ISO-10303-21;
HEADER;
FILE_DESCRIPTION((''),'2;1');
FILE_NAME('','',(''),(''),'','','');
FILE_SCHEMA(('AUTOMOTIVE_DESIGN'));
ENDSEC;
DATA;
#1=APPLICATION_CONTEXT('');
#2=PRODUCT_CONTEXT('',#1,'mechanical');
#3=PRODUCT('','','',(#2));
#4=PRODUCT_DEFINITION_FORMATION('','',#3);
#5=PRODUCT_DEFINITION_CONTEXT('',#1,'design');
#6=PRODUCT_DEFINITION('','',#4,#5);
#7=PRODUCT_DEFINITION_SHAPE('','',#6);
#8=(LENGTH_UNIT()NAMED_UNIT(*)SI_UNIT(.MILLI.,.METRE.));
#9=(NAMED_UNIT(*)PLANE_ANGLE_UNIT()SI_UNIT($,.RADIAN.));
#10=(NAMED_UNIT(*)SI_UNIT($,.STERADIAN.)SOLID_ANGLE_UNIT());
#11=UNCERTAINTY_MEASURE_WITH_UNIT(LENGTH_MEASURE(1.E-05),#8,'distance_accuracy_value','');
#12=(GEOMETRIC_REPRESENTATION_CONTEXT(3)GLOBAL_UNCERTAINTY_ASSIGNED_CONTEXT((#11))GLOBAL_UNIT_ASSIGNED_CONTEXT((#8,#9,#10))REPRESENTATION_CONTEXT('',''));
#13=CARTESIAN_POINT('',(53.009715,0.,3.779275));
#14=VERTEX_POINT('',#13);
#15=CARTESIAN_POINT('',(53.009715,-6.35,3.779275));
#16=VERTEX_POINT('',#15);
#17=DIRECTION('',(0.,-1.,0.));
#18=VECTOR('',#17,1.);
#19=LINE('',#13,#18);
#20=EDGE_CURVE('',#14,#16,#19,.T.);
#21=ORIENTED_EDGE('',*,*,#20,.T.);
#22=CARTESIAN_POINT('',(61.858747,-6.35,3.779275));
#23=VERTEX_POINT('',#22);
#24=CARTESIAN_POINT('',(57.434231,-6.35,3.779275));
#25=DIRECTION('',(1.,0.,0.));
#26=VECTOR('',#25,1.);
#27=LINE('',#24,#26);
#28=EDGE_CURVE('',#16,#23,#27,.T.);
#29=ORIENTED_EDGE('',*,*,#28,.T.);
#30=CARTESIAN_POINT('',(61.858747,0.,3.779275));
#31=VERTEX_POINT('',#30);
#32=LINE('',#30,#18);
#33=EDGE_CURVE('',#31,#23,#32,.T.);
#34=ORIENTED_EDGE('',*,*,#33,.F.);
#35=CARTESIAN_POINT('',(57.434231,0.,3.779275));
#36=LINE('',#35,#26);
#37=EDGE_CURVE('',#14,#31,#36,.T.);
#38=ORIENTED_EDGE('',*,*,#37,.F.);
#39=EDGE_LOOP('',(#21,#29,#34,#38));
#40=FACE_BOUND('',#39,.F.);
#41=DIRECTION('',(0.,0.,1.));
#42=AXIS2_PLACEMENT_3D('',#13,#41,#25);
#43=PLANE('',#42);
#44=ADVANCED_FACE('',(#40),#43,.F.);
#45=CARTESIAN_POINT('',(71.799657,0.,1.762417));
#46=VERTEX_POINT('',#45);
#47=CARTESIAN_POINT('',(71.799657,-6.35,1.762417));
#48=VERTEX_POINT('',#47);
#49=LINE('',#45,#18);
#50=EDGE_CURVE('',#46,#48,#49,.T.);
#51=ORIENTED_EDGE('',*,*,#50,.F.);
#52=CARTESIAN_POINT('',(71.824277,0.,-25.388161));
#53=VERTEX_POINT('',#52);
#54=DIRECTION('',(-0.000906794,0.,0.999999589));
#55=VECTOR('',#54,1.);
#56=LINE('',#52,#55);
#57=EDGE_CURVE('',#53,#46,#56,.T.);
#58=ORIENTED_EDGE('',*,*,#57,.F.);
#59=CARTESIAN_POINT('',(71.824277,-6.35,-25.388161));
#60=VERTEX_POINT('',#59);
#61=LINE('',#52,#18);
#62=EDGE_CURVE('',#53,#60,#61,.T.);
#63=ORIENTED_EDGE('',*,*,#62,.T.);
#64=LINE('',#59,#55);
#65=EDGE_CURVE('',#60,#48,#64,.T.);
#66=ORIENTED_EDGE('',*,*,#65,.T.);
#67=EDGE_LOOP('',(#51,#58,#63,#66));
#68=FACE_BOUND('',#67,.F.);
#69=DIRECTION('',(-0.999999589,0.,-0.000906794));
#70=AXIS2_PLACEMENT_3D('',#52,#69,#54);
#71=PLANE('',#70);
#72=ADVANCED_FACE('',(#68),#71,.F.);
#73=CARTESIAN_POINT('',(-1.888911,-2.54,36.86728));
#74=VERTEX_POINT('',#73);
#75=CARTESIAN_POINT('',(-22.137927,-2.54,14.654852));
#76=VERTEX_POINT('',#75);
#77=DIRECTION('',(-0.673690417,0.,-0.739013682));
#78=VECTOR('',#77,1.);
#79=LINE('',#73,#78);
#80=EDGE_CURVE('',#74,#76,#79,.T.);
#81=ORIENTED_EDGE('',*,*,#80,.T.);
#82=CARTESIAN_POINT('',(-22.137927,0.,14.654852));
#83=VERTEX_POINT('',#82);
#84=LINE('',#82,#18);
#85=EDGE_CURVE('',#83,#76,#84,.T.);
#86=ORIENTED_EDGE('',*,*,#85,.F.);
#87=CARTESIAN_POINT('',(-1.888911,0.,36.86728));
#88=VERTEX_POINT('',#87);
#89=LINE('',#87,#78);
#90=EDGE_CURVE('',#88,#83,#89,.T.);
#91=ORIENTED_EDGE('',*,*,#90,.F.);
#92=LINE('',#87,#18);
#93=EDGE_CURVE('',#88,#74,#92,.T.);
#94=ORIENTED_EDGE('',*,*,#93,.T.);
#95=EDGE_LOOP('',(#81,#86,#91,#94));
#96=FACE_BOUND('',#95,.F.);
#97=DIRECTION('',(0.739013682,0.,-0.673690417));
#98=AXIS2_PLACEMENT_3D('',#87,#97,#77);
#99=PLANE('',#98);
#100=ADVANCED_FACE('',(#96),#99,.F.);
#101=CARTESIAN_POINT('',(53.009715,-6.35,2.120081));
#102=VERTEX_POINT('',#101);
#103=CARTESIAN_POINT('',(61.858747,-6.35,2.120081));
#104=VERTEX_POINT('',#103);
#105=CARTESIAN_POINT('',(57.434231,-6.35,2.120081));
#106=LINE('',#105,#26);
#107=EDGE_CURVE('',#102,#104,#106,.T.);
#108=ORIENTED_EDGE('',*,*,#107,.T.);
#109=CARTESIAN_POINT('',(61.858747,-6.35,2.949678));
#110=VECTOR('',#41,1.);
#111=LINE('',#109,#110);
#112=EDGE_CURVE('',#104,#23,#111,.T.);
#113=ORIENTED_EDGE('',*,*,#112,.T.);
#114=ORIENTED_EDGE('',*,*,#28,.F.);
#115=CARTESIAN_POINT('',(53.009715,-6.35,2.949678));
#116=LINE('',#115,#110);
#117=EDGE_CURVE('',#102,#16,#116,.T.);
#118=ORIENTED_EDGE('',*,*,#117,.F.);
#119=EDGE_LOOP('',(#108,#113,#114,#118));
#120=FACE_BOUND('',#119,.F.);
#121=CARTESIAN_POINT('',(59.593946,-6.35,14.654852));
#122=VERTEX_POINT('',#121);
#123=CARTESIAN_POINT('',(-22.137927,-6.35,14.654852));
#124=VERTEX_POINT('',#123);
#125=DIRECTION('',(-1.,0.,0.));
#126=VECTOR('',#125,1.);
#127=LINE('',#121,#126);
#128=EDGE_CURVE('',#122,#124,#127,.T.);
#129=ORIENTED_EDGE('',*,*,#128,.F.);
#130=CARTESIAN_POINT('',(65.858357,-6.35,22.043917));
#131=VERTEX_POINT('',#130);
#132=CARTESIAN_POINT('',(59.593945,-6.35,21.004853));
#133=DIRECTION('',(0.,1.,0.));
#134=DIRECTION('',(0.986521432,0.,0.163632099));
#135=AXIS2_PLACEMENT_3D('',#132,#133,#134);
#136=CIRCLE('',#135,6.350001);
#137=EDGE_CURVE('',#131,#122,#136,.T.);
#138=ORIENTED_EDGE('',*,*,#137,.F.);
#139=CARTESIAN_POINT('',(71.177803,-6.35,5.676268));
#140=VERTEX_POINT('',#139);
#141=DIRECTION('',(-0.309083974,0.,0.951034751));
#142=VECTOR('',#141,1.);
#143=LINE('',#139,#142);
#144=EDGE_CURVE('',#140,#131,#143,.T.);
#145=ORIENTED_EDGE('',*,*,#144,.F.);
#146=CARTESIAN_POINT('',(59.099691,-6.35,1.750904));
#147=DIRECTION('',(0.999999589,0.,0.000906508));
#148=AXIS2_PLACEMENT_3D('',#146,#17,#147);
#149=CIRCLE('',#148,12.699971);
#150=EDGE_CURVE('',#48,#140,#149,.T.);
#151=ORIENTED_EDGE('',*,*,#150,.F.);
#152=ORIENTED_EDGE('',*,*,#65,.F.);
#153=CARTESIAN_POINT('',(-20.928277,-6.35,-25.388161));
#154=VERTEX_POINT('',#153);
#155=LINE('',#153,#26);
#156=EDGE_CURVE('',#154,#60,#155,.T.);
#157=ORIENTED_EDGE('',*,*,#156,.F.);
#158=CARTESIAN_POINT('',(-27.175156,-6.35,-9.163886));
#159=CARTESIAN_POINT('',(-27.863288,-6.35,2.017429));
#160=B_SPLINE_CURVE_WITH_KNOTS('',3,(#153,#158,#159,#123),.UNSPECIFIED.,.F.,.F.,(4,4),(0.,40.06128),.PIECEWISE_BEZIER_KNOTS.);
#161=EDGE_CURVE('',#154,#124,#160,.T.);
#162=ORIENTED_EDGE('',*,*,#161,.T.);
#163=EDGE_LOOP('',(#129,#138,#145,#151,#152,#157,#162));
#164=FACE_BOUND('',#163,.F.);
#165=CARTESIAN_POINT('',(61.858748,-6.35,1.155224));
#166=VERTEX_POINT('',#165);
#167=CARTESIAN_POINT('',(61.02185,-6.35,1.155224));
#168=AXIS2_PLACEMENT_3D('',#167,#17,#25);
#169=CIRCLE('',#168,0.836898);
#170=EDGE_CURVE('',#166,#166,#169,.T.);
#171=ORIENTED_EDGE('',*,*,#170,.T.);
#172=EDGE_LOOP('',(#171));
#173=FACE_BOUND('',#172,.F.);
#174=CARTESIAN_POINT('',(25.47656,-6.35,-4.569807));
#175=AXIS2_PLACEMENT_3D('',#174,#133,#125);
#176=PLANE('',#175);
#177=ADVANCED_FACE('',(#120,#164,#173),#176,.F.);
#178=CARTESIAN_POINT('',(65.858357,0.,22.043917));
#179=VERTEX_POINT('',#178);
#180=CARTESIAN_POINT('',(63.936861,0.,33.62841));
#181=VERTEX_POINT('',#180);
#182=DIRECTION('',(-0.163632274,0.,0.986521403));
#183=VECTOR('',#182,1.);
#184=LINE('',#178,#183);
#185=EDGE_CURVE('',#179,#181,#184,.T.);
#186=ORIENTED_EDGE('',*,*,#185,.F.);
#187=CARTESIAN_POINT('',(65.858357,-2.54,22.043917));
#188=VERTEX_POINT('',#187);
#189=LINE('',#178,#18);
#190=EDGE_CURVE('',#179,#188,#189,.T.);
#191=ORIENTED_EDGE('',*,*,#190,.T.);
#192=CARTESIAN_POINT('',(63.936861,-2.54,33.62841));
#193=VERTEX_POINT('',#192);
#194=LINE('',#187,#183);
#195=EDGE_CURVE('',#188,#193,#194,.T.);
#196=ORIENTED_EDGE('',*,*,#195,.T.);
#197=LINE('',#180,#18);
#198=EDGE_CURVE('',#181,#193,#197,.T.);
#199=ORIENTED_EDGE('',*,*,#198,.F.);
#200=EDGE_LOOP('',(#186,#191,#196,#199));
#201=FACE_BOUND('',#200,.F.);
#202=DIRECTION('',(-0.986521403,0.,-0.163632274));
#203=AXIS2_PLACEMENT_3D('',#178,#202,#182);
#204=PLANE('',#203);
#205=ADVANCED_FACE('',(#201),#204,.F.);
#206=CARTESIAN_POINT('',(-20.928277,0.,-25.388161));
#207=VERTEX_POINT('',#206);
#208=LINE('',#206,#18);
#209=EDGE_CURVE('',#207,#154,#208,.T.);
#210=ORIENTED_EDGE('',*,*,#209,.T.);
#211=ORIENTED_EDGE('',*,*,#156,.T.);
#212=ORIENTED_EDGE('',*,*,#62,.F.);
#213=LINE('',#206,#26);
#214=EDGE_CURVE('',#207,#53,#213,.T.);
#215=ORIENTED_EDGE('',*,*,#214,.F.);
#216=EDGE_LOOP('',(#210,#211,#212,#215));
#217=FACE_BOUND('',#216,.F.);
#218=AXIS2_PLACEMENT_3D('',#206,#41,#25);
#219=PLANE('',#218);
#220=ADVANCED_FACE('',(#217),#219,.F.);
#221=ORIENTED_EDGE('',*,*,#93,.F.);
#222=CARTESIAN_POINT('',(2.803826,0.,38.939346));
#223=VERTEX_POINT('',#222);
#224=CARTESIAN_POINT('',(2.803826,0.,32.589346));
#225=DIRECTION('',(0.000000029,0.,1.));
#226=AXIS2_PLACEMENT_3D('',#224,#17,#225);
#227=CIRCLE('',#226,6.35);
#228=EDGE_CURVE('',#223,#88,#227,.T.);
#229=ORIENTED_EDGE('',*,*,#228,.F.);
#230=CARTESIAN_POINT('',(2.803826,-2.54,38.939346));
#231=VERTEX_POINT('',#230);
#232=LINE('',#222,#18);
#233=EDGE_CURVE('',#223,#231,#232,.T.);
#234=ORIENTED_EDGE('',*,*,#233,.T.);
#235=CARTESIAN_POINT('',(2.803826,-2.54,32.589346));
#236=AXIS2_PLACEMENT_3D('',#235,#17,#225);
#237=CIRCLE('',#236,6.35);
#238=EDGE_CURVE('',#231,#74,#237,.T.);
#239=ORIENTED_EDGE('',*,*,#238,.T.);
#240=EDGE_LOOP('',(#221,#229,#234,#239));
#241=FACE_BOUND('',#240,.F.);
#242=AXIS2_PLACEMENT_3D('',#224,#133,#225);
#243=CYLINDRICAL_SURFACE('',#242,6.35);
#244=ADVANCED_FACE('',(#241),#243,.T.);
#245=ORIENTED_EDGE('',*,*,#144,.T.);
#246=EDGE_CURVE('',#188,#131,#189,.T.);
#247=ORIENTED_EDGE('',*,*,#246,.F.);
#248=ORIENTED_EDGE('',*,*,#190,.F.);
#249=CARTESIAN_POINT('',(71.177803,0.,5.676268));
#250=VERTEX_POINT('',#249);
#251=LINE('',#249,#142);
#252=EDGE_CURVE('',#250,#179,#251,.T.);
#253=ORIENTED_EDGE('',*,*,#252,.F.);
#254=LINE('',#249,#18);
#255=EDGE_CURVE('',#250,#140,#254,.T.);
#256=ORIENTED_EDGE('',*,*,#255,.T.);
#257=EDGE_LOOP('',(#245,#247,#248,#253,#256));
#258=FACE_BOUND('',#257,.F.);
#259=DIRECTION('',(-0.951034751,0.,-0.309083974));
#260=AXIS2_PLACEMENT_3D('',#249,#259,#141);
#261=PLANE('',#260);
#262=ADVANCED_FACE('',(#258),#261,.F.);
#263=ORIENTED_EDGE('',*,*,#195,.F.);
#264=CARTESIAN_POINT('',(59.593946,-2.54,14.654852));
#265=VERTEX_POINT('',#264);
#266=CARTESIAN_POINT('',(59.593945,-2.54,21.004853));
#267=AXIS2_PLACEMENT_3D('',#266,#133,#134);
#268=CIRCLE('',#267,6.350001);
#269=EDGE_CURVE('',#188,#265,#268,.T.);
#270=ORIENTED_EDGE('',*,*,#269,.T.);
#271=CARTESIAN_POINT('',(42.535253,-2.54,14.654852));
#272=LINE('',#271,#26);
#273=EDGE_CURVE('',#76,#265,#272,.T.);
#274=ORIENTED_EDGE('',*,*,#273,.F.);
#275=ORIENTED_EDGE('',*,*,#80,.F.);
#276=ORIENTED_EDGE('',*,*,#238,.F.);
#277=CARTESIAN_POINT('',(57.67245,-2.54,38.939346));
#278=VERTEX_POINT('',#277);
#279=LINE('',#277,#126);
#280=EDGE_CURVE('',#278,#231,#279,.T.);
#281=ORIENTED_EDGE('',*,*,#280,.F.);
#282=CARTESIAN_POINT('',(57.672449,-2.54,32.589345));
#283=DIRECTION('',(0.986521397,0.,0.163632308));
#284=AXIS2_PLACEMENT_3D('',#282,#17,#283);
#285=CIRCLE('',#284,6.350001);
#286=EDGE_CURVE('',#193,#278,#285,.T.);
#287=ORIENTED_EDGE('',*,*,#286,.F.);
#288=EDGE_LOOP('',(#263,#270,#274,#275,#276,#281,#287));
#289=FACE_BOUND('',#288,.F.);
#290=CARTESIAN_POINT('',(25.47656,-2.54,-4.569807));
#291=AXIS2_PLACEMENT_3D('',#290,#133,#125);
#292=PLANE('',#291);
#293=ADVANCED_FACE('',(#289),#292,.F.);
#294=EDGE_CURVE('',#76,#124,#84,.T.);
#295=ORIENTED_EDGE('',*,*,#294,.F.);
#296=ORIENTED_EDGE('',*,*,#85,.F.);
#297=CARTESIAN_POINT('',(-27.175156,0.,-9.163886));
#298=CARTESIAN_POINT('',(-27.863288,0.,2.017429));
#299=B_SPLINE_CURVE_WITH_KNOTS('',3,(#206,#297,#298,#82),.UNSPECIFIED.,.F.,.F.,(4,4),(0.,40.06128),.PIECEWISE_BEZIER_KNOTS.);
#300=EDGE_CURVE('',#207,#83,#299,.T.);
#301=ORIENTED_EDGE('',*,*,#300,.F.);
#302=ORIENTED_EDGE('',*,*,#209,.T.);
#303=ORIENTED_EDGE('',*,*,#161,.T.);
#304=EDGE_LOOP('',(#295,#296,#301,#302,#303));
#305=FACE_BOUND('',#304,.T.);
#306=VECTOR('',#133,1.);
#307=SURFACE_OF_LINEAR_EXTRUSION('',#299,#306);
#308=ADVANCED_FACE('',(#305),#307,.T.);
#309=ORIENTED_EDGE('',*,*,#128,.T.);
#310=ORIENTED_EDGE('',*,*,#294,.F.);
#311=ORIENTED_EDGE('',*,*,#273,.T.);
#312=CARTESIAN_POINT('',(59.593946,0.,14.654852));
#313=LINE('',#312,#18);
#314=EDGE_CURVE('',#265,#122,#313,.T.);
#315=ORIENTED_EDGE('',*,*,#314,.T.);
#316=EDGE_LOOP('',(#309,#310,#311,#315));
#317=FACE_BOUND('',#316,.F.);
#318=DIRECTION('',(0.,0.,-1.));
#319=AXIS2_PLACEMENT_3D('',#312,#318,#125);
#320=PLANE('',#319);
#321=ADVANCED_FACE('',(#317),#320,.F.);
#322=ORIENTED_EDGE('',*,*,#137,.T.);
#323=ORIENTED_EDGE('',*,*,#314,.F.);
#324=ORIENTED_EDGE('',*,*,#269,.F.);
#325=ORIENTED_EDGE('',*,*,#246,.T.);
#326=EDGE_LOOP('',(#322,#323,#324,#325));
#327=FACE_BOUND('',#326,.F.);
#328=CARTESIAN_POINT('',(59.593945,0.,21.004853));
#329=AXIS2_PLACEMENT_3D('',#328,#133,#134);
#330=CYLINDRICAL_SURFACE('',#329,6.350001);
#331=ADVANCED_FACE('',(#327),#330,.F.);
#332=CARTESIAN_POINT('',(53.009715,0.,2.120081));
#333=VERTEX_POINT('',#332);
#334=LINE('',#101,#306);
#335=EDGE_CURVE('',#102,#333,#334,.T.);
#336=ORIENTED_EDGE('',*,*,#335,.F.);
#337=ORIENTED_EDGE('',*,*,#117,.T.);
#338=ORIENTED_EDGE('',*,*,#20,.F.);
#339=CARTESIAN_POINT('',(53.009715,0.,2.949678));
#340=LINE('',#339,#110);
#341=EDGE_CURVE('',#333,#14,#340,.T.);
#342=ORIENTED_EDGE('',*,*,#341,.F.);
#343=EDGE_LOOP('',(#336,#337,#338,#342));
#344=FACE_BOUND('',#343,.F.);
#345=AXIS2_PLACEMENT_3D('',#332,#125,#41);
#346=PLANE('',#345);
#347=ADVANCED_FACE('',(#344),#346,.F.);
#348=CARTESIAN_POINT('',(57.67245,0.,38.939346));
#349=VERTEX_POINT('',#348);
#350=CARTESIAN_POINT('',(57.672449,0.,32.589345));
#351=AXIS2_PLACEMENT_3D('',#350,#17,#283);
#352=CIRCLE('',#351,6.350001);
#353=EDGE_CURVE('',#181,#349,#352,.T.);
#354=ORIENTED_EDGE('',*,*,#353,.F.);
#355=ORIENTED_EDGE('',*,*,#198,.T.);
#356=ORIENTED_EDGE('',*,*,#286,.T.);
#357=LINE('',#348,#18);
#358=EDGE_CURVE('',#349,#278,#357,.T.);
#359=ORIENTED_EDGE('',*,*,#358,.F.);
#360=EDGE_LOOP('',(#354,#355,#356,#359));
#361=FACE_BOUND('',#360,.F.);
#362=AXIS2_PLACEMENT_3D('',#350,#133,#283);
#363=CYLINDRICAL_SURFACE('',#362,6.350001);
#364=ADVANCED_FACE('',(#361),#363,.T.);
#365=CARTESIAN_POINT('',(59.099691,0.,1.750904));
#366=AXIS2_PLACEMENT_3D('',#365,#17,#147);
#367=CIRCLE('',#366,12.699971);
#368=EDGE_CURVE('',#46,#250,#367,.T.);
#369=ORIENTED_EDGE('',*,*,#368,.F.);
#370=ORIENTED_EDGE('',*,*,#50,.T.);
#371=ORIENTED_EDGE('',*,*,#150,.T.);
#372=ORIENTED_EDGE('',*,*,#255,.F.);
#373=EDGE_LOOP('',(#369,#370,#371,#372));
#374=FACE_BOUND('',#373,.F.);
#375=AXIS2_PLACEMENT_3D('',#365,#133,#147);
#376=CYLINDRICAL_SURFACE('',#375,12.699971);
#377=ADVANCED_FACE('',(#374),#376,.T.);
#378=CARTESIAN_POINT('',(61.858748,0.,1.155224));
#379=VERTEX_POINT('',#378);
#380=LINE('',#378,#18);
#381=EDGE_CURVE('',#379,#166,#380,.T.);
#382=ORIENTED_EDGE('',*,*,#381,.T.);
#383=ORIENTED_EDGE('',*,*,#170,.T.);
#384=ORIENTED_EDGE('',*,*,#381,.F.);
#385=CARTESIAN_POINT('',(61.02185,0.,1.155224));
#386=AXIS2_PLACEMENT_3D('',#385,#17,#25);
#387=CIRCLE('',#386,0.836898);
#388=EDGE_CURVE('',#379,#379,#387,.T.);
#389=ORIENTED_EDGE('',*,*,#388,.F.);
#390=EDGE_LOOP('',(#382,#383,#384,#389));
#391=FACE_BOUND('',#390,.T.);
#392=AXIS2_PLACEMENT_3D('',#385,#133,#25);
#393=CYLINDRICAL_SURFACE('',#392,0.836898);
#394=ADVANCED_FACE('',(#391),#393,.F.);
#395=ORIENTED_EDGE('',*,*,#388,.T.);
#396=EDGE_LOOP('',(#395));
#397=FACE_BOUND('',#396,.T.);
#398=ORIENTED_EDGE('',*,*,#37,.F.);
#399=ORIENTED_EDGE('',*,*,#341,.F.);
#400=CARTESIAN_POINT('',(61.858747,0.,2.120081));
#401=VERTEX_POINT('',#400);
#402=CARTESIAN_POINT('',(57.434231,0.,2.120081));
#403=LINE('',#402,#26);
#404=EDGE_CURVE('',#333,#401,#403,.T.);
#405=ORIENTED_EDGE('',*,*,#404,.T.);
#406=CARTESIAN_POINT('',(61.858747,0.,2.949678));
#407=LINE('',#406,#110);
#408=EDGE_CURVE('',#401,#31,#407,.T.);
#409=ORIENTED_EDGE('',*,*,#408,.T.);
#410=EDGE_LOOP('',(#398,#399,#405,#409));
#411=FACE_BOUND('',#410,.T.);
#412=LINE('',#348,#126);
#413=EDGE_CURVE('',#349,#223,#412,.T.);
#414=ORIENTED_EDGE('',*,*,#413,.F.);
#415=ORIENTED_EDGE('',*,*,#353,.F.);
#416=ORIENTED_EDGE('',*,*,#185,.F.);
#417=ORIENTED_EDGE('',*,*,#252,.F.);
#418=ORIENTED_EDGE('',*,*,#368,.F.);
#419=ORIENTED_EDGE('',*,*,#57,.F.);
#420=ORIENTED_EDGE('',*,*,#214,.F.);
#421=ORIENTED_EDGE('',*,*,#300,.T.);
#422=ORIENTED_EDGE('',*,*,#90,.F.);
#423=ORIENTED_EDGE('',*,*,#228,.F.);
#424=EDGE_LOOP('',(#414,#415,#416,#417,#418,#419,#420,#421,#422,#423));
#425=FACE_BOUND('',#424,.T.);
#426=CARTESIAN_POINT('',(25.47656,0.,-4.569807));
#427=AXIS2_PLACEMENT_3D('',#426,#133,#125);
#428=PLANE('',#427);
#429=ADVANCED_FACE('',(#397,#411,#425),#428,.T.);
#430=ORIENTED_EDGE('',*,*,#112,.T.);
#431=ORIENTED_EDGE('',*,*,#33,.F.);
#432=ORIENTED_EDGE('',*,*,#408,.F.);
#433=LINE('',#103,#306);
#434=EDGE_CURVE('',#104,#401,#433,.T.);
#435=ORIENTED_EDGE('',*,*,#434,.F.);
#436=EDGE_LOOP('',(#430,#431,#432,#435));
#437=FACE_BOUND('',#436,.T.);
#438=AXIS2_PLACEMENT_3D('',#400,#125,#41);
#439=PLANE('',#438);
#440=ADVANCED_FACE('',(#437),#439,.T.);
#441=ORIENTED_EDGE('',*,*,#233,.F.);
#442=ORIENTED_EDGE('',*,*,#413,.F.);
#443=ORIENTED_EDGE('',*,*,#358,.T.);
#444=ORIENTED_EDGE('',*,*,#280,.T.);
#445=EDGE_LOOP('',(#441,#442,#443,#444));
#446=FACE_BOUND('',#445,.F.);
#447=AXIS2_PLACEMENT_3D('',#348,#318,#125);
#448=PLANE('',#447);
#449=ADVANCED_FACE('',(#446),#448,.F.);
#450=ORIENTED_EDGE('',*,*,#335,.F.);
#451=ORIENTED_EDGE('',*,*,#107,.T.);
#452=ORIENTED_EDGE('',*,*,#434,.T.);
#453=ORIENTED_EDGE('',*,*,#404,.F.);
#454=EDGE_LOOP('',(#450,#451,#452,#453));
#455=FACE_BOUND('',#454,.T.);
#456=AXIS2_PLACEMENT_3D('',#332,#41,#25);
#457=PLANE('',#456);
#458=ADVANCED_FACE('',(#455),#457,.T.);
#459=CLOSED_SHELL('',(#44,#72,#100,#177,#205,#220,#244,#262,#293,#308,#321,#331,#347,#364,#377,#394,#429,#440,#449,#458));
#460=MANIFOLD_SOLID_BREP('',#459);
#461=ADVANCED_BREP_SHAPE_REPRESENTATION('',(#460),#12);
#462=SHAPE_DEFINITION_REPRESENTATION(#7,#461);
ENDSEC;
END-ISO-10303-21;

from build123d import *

# Parameters (mm, degrees)
F0_W     = 8.849032
F0_H     = 1.659194
F0_R     = 0.836898
F1_DEPTH = 6.35
F2_DEPTH = 2.54


with BuildPart() as f1:
    # F0 (on Front) → F1 (new body)
    with BuildSketch(Plane.XZ):
        with BuildLine():
            add(Edge.make_bspline(
                [(-20.928277, -25.388161), (-27.175156, -9.163886), (-27.863288, 2.017429), (-22.137927, 14.654852)],
                knots=[0, 0, 0, 0, 40.06128, 40.06128, 40.06128, 40.06128], degree=3))
            Line((-20.928277, -25.388161), (71.824277, -25.388161))
            Line((71.824277, -25.388161), (71.799657, 1.762417))
            ThreePointArc((71.799657, 1.762417), (71.642332, 3.743748), (71.177803, 5.676268))
            Line((71.177803, 5.676268), (65.858357, 22.043917))
            ThreePointArc((65.858357, 22.043917), (64.437527, 16.898489), (59.593946, 14.654852))
            Line((59.593946, 14.654852), (-22.137927, 14.654852))
        make_face()
        with Locations((57.434231, 2.949678)):
            Rectangle(F0_W, F0_H, mode=Mode.SUBTRACT)
        with Locations((61.02185, 1.155224)):
            Circle(F0_R, mode=Mode.SUBTRACT)
    extrude(amount=F1_DEPTH)

    # F0 (on Front) → F2 (join)
    with BuildSketch(Plane.XZ):
        with BuildLine():
            add(Edge.make_bspline(
                [(-20.928277, -25.388161), (-27.175156, -9.163886), (-27.863288, 2.017429), (-22.137927, 14.654852)],
                knots=[0, 0, 0, 0, 40.06128, 40.06128, 40.06128, 40.06128], degree=3))
            Line((-20.928277, -25.388161), (71.824277, -25.388161))
            Line((71.824277, -25.388161), (71.799657, 1.762417))
            ThreePointArc((71.799657, 1.762417), (71.642332, 3.743748), (71.177803, 5.676268))
            Line((71.177803, 5.676268), (65.858357, 22.043917))
            ThreePointArc((65.858357, 22.043917), (64.437527, 16.898489), (59.593946, 14.654852))
            Line((59.593946, 14.654852), (-22.137927, 14.654852))
        make_face()
        with Locations((57.434231, 2.949678)):
            Rectangle(F0_W, F0_H, mode=Mode.SUBTRACT)
        with Locations((61.02185, 1.155224)):
            Circle(F0_R, mode=Mode.SUBTRACT)
        with BuildLine():
            Line((-1.888911, 36.86728), (-22.137927, 14.654852))
            Line((-22.137927, 14.654852), (59.593946, 14.654852))
            ThreePointArc((59.593946, 14.654852), (64.437527, 16.898489), (65.858357, 22.043917))
            Line((65.858357, 22.043917), (63.936861, 33.62841))
            ThreePointArc((63.936861, 33.62841), (61.778813, 37.432927), (57.67245, 38.939346))
            Line((57.67245, 38.939346), (2.803826, 38.939346))
            ThreePointArc((2.803826, 38.939346), (0.238907, 38.398278), (-1.888911, 36.86728))
        make_face()
    extrude(amount=F2_DEPTH)


solid = f1.part
